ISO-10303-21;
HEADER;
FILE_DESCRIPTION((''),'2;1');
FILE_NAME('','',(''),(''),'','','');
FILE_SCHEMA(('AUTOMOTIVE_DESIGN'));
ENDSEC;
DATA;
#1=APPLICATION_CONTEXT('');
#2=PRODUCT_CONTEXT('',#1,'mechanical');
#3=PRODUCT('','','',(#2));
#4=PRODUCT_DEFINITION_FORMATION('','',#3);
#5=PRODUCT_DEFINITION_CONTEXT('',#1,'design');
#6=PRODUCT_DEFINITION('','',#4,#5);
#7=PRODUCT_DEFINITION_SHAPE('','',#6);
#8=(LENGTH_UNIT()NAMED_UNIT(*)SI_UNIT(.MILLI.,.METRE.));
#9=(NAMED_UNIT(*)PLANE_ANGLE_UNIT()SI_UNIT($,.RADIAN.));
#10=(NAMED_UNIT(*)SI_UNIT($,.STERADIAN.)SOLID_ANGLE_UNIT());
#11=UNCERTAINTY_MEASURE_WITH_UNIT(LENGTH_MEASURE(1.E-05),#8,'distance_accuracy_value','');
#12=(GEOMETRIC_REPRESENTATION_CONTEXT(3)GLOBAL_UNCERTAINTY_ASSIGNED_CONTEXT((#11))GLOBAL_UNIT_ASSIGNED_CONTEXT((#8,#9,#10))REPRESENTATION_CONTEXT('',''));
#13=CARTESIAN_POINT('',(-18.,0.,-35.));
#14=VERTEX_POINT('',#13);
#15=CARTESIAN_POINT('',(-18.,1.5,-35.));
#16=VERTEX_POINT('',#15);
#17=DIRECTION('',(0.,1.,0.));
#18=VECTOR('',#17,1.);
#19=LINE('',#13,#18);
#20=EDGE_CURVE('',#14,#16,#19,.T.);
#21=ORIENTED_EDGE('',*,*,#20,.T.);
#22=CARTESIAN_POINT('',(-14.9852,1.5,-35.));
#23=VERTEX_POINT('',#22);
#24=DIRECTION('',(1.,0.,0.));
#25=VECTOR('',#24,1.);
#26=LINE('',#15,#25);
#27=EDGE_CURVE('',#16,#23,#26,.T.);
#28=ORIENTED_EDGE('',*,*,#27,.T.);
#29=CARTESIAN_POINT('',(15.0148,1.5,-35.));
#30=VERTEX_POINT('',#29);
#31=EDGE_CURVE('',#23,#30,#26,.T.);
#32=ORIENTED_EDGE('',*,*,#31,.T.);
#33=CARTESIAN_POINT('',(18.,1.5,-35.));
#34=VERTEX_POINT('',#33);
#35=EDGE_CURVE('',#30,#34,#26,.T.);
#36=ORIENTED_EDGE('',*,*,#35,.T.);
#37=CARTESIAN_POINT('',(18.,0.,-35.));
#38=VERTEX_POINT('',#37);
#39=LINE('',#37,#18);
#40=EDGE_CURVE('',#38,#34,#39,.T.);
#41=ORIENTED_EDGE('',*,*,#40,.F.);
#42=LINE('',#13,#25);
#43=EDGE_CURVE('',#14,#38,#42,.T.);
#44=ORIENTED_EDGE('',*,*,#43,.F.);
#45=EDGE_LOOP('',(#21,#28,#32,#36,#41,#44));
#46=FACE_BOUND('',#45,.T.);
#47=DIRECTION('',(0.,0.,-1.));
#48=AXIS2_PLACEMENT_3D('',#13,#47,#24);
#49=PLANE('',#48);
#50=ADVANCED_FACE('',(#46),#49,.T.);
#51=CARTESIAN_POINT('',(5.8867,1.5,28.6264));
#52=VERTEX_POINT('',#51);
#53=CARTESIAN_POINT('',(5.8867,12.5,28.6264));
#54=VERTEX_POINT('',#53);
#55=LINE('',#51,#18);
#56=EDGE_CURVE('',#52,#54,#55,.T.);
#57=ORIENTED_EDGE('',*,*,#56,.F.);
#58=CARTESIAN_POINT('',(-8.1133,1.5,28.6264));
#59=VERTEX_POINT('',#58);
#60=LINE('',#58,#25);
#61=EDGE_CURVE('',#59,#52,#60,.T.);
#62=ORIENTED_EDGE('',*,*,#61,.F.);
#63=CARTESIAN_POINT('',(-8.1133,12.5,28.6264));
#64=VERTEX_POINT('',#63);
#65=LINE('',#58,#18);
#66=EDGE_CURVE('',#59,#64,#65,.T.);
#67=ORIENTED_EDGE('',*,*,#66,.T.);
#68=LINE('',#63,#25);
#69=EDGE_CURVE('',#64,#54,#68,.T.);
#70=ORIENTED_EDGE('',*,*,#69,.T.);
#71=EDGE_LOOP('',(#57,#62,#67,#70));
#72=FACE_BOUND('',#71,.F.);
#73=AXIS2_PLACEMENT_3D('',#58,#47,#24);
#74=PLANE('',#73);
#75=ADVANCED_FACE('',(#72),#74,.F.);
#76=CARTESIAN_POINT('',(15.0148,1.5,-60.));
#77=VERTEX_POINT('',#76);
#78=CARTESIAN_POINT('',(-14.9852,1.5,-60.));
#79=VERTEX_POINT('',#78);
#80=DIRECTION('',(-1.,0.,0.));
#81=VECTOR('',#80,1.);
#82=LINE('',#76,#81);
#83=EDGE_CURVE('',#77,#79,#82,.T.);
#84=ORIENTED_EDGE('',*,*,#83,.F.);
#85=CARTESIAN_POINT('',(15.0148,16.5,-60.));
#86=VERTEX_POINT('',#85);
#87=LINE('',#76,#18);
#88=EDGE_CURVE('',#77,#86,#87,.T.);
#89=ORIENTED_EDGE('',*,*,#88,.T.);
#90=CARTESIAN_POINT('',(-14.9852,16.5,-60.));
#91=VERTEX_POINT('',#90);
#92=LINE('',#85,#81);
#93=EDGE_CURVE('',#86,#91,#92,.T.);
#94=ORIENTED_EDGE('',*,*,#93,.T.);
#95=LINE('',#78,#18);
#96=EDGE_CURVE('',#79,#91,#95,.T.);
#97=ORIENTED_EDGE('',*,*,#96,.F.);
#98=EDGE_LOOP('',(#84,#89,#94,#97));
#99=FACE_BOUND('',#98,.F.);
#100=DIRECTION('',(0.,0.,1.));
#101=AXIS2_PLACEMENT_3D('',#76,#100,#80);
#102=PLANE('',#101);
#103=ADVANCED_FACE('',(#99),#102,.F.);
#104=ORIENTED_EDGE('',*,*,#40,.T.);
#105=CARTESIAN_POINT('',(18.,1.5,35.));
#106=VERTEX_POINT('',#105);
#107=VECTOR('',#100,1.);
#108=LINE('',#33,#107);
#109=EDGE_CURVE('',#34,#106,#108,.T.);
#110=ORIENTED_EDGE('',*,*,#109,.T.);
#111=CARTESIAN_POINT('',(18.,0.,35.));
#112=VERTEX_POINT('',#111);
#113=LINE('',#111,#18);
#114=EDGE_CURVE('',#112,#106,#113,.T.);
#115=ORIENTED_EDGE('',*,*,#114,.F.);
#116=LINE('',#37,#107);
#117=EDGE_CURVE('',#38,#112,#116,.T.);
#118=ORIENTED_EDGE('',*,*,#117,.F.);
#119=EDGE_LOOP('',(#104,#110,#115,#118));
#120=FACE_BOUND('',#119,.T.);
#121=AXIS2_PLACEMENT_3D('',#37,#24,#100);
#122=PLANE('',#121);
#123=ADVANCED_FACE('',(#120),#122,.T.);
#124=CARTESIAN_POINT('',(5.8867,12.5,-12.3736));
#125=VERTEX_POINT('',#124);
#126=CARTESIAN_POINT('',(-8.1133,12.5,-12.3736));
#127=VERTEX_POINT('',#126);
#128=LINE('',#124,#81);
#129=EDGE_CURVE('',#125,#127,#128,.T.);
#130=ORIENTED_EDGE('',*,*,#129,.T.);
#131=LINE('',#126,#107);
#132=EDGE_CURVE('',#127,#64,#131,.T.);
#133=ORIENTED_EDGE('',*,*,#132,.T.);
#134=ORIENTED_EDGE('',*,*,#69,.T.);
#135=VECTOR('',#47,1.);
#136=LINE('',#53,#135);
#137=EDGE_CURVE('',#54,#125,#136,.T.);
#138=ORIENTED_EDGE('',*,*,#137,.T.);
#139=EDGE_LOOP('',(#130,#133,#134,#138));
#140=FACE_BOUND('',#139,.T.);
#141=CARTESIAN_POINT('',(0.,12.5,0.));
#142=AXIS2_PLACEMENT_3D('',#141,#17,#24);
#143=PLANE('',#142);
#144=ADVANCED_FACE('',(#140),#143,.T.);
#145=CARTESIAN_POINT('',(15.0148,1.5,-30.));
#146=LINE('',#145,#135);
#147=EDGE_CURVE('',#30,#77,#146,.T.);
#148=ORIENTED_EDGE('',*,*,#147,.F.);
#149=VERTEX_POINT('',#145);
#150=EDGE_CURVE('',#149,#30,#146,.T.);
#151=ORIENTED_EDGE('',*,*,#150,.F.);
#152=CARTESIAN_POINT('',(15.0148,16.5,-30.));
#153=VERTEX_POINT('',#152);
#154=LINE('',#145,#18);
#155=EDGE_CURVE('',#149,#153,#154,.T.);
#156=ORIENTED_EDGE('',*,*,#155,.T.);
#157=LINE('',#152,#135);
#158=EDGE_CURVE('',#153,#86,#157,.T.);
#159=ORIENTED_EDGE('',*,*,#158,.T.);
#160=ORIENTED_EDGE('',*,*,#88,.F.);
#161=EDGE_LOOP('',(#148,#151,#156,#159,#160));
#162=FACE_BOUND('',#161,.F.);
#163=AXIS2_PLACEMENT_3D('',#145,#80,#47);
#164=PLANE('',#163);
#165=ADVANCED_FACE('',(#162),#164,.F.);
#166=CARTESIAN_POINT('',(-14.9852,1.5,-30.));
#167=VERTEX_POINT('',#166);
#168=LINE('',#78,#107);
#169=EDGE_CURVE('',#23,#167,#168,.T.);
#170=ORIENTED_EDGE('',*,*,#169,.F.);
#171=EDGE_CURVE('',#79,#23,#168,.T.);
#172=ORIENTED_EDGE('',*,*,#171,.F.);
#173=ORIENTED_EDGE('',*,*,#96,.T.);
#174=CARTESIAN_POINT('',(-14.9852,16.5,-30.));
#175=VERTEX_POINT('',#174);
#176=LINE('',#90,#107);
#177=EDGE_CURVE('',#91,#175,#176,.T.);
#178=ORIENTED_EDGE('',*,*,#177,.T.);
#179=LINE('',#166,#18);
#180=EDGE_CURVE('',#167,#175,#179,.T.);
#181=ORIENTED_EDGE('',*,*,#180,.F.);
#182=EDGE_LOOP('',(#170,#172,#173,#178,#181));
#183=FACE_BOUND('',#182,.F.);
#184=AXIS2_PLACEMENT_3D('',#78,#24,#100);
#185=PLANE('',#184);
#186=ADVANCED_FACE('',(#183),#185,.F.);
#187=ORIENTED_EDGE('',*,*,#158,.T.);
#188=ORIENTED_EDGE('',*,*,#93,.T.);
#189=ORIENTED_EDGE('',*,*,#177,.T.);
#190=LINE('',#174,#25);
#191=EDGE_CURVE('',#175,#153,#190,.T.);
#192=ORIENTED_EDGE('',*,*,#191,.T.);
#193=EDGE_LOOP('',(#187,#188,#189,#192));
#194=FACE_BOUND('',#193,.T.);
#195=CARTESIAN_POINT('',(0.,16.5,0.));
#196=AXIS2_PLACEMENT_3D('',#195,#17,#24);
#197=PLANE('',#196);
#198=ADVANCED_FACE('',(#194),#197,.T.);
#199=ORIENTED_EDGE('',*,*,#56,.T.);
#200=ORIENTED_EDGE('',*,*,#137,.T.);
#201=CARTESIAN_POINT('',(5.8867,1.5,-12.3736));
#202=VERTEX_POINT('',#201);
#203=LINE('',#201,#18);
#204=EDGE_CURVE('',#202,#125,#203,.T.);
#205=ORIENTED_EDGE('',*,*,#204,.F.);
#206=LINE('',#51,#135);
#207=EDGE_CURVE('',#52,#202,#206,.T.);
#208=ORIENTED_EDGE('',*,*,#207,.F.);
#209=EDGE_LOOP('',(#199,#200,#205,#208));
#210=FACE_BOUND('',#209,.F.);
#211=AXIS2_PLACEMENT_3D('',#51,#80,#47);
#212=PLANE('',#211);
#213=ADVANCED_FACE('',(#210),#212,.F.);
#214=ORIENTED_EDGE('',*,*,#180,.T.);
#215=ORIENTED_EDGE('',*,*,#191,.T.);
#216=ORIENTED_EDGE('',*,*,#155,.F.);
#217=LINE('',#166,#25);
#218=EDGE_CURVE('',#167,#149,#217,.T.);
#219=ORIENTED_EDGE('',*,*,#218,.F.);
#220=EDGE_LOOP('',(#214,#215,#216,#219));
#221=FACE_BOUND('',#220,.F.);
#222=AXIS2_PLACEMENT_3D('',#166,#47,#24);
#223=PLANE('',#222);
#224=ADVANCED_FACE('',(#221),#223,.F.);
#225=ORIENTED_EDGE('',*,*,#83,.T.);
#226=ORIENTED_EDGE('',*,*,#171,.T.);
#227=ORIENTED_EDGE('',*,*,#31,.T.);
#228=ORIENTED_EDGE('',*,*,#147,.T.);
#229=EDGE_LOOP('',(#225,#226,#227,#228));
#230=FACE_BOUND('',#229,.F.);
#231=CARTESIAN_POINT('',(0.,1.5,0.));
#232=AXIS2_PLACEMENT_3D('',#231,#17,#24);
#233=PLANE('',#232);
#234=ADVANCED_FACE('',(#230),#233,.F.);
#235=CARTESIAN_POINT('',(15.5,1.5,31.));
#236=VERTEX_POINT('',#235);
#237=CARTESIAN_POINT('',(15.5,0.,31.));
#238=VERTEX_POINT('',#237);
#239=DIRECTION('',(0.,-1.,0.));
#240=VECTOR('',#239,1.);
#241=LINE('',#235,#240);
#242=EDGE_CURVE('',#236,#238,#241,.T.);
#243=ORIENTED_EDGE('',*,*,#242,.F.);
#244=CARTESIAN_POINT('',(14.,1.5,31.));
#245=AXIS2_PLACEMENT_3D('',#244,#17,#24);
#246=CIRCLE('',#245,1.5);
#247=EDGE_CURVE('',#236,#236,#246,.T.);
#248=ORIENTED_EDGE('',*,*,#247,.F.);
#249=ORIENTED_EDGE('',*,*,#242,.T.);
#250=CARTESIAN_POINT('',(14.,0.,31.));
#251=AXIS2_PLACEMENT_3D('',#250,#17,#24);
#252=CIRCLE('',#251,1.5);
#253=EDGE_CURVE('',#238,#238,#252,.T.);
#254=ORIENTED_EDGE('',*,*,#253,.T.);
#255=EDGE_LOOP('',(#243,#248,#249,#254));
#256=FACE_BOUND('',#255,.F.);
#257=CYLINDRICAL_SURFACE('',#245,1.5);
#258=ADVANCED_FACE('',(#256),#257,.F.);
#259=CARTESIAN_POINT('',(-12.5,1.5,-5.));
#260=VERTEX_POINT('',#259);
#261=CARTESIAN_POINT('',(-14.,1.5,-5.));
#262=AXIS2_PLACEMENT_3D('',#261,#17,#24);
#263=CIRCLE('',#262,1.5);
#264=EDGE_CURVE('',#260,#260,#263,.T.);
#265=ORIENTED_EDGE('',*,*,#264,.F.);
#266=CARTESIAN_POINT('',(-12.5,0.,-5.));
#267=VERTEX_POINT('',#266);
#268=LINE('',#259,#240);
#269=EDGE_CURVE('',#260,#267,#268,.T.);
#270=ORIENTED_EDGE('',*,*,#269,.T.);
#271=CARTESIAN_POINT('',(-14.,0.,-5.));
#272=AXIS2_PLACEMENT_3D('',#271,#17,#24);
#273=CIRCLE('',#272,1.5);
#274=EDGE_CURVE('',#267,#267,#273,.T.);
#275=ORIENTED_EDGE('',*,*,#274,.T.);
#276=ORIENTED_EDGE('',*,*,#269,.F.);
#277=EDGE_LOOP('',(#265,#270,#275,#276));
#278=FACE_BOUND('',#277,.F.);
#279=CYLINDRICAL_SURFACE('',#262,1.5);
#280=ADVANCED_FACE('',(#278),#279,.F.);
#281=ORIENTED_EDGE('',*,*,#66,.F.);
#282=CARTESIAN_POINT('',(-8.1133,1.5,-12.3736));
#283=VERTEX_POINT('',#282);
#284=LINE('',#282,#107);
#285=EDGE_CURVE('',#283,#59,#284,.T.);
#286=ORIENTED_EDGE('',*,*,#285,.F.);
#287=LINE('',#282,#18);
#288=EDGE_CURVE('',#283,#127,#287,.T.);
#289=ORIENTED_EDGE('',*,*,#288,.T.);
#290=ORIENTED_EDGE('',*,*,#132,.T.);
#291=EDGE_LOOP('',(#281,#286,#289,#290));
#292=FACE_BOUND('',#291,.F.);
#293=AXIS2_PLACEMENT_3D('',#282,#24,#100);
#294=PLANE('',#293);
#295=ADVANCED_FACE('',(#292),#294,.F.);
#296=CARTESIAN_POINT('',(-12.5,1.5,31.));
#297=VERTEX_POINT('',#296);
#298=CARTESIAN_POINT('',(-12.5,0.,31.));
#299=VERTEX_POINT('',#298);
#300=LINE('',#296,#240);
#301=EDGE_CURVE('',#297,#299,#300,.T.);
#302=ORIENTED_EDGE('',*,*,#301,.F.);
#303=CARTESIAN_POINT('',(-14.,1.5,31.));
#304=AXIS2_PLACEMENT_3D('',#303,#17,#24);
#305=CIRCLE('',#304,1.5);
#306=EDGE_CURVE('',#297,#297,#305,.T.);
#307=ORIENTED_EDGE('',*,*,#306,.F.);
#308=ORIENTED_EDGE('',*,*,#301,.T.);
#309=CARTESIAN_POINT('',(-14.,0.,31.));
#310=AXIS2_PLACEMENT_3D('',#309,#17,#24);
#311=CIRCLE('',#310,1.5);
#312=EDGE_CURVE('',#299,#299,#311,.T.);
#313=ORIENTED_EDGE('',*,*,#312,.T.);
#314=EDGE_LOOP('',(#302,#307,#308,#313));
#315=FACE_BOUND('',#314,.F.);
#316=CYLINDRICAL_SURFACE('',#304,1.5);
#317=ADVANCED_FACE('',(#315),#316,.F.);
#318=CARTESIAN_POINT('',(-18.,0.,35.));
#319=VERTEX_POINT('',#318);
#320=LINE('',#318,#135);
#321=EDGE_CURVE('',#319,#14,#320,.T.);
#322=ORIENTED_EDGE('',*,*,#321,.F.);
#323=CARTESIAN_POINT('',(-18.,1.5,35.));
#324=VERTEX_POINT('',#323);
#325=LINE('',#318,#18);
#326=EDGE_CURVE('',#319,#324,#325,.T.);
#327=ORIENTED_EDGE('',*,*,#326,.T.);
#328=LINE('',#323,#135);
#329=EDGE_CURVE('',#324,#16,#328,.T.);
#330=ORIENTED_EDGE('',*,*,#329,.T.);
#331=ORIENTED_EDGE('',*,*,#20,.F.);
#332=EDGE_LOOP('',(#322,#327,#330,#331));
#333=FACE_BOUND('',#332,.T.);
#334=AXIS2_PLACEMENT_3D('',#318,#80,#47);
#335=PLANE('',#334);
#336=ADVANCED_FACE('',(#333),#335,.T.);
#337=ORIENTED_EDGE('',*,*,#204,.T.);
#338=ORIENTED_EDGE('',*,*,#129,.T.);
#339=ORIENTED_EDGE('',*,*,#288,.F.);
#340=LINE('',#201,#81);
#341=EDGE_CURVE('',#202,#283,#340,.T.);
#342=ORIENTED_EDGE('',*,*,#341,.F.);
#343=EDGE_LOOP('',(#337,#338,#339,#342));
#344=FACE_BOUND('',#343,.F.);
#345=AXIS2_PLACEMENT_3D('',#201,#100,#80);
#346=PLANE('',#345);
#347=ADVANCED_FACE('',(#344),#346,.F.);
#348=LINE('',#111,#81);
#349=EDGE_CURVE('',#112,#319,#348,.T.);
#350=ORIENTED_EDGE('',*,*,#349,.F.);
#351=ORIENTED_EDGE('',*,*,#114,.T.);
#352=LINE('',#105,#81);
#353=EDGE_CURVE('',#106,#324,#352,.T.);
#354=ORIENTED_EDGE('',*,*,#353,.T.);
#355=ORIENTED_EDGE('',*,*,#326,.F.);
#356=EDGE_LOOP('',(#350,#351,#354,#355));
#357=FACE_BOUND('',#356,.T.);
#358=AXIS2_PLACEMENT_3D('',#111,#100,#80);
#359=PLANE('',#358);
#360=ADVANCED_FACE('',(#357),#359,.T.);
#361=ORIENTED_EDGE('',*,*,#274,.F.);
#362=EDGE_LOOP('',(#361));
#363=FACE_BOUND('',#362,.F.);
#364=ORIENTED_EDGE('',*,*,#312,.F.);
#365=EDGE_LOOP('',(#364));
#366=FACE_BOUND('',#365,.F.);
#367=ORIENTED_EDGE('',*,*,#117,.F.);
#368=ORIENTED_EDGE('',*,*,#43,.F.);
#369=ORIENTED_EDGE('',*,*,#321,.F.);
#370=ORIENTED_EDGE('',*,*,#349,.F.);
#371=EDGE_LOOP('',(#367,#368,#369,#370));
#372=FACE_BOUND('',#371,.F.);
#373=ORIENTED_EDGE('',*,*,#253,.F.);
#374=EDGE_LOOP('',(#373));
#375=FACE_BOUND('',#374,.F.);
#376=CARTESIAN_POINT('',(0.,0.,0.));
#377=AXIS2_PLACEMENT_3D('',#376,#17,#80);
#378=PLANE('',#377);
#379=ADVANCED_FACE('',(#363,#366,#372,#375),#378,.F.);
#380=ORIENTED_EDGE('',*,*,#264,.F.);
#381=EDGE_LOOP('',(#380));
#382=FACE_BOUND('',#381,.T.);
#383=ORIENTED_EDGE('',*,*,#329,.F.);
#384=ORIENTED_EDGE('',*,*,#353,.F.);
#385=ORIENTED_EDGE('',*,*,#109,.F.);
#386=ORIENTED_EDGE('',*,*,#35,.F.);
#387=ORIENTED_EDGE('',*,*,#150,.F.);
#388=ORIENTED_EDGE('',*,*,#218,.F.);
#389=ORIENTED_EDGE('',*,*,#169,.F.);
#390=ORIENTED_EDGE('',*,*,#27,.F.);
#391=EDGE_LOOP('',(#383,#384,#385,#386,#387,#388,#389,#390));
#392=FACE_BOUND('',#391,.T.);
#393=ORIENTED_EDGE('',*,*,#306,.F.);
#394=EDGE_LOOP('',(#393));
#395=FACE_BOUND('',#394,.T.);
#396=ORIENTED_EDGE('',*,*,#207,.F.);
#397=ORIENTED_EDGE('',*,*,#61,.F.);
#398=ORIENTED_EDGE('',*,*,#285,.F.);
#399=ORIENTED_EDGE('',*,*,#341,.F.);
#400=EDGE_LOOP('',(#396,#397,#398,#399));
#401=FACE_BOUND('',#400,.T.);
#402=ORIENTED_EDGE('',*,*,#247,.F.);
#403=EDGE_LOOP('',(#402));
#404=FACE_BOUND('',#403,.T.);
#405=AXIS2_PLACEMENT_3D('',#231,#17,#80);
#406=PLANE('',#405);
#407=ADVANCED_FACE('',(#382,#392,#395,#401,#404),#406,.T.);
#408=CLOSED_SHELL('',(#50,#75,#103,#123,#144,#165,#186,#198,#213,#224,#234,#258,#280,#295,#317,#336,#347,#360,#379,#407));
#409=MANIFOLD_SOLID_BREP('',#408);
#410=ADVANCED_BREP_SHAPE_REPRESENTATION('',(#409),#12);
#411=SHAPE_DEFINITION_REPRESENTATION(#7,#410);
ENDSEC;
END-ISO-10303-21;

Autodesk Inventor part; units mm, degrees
ref_plane "YZ Plane" through (0, 0, 0) normal (1, 0, 0) x (0, 1, 0)
ref_plane "XZ Plane" through (0, 0, 0) normal (0, 1, 0) x (-1, 0, 0)
ref_plane "XY Plane" through (0, 0, 0) normal (0, 0, 1) x (1, 0, 0)
sketch "Sketch1" plane through (0, 0, 0) normal (0, 1, 0) x (-1, 0, 0)
  line L0 (-18, 35) -> (18, 35)
  line L1 (18, 35) -> (18, -35)
  line L2 (18, -35) -> (-18, -35)
  line L3 (-18, -35) -> (-18, 35)
  line L4 (-18, 35) -> (18, -35) construction
  line L5 (18, 35) -> (-18, -35) construction
  point P0 (0, 0)
  dimension "d0" = 70
  dimension "d1" = 36
extrude "Extrusion1" add sketch "Sketch1" along normal blind 1.5
sketch "Sketch2" plane through (0, 1.5, 0) normal (0, 1, 0) x (1, 0, 0)
  line L0 (-48.0959, 5) -> (45.6433, 5) construction
  line L1 (-14, -63.3043) -> (-14, 77.913) construction
  line L2 (14, -60.8696) -> (14, 81.5652) construction
  line L3 (-37.753, -31) -> (38.247, -31) construction
  line L4 (0, 110.5391) -> (0, -92.2783) construction
  circle A0 centre (-14, -31) radius 1.5
  circle A1 centre (14, -31) radius 1.5
  circle A2 centre (-14, 5) radius 1.5
  line L5 (-18, -35) -> (18, -35) projected
  point P0 (0, 0)
  dimension "d4" = 28
  dimension "d5" = 36
  dimension "d6" = 14
  dimension "d7" = 3
  dimension "d8" = 3
  dimension "d9" = 3
  dimension "d10" = 4
extrude "Extrusion2" cut sketch "Sketch2" against normal through all
sketch "Sketch3" plane through (0, 1.5, 0) normal (0, 1, 0) x (1, 0, 0)
  line L0 (-8.1133, -28.6264) -> (5.8867, -28.6264)
  line L1 (5.8867, -28.6264) -> (5.8867, 12.3736)
  line L2 (5.8867, 12.3736) -> (-8.1133, 12.3736)
  line L3 (-8.1133, 12.3736) -> (-8.1133, -28.6264)
  point P0 (0, 0)
  dimension "d13" = 41
  dimension "d14" = 14
extrude "Extrusion3" add sketch "Sketch3" along normal blind 11
sketch "Sketch4" plane through (0, 1.5, 0) normal (0, 1, 0) x (1, 0, 0)
  line L0 (-14.9852, 30) -> (15.0148, 30)
  line L1 (15.0148, 30) -> (15.0148, 60)
  line L2 (15.0148, 60) -> (-14.9852, 60)
  line L3 (-14.9852, 60) -> (-14.9852, 30)
  line L4 (18, 35) -> (-18, 35) construction
  point P0 (0, 0)
  dimension "d17" = 30
  dimension "d18" = 30
  dimension "d21" = 5
extrude "Extrusion4" add sketch "Sketch4" along normal blind 15
properties part number "newhub"
